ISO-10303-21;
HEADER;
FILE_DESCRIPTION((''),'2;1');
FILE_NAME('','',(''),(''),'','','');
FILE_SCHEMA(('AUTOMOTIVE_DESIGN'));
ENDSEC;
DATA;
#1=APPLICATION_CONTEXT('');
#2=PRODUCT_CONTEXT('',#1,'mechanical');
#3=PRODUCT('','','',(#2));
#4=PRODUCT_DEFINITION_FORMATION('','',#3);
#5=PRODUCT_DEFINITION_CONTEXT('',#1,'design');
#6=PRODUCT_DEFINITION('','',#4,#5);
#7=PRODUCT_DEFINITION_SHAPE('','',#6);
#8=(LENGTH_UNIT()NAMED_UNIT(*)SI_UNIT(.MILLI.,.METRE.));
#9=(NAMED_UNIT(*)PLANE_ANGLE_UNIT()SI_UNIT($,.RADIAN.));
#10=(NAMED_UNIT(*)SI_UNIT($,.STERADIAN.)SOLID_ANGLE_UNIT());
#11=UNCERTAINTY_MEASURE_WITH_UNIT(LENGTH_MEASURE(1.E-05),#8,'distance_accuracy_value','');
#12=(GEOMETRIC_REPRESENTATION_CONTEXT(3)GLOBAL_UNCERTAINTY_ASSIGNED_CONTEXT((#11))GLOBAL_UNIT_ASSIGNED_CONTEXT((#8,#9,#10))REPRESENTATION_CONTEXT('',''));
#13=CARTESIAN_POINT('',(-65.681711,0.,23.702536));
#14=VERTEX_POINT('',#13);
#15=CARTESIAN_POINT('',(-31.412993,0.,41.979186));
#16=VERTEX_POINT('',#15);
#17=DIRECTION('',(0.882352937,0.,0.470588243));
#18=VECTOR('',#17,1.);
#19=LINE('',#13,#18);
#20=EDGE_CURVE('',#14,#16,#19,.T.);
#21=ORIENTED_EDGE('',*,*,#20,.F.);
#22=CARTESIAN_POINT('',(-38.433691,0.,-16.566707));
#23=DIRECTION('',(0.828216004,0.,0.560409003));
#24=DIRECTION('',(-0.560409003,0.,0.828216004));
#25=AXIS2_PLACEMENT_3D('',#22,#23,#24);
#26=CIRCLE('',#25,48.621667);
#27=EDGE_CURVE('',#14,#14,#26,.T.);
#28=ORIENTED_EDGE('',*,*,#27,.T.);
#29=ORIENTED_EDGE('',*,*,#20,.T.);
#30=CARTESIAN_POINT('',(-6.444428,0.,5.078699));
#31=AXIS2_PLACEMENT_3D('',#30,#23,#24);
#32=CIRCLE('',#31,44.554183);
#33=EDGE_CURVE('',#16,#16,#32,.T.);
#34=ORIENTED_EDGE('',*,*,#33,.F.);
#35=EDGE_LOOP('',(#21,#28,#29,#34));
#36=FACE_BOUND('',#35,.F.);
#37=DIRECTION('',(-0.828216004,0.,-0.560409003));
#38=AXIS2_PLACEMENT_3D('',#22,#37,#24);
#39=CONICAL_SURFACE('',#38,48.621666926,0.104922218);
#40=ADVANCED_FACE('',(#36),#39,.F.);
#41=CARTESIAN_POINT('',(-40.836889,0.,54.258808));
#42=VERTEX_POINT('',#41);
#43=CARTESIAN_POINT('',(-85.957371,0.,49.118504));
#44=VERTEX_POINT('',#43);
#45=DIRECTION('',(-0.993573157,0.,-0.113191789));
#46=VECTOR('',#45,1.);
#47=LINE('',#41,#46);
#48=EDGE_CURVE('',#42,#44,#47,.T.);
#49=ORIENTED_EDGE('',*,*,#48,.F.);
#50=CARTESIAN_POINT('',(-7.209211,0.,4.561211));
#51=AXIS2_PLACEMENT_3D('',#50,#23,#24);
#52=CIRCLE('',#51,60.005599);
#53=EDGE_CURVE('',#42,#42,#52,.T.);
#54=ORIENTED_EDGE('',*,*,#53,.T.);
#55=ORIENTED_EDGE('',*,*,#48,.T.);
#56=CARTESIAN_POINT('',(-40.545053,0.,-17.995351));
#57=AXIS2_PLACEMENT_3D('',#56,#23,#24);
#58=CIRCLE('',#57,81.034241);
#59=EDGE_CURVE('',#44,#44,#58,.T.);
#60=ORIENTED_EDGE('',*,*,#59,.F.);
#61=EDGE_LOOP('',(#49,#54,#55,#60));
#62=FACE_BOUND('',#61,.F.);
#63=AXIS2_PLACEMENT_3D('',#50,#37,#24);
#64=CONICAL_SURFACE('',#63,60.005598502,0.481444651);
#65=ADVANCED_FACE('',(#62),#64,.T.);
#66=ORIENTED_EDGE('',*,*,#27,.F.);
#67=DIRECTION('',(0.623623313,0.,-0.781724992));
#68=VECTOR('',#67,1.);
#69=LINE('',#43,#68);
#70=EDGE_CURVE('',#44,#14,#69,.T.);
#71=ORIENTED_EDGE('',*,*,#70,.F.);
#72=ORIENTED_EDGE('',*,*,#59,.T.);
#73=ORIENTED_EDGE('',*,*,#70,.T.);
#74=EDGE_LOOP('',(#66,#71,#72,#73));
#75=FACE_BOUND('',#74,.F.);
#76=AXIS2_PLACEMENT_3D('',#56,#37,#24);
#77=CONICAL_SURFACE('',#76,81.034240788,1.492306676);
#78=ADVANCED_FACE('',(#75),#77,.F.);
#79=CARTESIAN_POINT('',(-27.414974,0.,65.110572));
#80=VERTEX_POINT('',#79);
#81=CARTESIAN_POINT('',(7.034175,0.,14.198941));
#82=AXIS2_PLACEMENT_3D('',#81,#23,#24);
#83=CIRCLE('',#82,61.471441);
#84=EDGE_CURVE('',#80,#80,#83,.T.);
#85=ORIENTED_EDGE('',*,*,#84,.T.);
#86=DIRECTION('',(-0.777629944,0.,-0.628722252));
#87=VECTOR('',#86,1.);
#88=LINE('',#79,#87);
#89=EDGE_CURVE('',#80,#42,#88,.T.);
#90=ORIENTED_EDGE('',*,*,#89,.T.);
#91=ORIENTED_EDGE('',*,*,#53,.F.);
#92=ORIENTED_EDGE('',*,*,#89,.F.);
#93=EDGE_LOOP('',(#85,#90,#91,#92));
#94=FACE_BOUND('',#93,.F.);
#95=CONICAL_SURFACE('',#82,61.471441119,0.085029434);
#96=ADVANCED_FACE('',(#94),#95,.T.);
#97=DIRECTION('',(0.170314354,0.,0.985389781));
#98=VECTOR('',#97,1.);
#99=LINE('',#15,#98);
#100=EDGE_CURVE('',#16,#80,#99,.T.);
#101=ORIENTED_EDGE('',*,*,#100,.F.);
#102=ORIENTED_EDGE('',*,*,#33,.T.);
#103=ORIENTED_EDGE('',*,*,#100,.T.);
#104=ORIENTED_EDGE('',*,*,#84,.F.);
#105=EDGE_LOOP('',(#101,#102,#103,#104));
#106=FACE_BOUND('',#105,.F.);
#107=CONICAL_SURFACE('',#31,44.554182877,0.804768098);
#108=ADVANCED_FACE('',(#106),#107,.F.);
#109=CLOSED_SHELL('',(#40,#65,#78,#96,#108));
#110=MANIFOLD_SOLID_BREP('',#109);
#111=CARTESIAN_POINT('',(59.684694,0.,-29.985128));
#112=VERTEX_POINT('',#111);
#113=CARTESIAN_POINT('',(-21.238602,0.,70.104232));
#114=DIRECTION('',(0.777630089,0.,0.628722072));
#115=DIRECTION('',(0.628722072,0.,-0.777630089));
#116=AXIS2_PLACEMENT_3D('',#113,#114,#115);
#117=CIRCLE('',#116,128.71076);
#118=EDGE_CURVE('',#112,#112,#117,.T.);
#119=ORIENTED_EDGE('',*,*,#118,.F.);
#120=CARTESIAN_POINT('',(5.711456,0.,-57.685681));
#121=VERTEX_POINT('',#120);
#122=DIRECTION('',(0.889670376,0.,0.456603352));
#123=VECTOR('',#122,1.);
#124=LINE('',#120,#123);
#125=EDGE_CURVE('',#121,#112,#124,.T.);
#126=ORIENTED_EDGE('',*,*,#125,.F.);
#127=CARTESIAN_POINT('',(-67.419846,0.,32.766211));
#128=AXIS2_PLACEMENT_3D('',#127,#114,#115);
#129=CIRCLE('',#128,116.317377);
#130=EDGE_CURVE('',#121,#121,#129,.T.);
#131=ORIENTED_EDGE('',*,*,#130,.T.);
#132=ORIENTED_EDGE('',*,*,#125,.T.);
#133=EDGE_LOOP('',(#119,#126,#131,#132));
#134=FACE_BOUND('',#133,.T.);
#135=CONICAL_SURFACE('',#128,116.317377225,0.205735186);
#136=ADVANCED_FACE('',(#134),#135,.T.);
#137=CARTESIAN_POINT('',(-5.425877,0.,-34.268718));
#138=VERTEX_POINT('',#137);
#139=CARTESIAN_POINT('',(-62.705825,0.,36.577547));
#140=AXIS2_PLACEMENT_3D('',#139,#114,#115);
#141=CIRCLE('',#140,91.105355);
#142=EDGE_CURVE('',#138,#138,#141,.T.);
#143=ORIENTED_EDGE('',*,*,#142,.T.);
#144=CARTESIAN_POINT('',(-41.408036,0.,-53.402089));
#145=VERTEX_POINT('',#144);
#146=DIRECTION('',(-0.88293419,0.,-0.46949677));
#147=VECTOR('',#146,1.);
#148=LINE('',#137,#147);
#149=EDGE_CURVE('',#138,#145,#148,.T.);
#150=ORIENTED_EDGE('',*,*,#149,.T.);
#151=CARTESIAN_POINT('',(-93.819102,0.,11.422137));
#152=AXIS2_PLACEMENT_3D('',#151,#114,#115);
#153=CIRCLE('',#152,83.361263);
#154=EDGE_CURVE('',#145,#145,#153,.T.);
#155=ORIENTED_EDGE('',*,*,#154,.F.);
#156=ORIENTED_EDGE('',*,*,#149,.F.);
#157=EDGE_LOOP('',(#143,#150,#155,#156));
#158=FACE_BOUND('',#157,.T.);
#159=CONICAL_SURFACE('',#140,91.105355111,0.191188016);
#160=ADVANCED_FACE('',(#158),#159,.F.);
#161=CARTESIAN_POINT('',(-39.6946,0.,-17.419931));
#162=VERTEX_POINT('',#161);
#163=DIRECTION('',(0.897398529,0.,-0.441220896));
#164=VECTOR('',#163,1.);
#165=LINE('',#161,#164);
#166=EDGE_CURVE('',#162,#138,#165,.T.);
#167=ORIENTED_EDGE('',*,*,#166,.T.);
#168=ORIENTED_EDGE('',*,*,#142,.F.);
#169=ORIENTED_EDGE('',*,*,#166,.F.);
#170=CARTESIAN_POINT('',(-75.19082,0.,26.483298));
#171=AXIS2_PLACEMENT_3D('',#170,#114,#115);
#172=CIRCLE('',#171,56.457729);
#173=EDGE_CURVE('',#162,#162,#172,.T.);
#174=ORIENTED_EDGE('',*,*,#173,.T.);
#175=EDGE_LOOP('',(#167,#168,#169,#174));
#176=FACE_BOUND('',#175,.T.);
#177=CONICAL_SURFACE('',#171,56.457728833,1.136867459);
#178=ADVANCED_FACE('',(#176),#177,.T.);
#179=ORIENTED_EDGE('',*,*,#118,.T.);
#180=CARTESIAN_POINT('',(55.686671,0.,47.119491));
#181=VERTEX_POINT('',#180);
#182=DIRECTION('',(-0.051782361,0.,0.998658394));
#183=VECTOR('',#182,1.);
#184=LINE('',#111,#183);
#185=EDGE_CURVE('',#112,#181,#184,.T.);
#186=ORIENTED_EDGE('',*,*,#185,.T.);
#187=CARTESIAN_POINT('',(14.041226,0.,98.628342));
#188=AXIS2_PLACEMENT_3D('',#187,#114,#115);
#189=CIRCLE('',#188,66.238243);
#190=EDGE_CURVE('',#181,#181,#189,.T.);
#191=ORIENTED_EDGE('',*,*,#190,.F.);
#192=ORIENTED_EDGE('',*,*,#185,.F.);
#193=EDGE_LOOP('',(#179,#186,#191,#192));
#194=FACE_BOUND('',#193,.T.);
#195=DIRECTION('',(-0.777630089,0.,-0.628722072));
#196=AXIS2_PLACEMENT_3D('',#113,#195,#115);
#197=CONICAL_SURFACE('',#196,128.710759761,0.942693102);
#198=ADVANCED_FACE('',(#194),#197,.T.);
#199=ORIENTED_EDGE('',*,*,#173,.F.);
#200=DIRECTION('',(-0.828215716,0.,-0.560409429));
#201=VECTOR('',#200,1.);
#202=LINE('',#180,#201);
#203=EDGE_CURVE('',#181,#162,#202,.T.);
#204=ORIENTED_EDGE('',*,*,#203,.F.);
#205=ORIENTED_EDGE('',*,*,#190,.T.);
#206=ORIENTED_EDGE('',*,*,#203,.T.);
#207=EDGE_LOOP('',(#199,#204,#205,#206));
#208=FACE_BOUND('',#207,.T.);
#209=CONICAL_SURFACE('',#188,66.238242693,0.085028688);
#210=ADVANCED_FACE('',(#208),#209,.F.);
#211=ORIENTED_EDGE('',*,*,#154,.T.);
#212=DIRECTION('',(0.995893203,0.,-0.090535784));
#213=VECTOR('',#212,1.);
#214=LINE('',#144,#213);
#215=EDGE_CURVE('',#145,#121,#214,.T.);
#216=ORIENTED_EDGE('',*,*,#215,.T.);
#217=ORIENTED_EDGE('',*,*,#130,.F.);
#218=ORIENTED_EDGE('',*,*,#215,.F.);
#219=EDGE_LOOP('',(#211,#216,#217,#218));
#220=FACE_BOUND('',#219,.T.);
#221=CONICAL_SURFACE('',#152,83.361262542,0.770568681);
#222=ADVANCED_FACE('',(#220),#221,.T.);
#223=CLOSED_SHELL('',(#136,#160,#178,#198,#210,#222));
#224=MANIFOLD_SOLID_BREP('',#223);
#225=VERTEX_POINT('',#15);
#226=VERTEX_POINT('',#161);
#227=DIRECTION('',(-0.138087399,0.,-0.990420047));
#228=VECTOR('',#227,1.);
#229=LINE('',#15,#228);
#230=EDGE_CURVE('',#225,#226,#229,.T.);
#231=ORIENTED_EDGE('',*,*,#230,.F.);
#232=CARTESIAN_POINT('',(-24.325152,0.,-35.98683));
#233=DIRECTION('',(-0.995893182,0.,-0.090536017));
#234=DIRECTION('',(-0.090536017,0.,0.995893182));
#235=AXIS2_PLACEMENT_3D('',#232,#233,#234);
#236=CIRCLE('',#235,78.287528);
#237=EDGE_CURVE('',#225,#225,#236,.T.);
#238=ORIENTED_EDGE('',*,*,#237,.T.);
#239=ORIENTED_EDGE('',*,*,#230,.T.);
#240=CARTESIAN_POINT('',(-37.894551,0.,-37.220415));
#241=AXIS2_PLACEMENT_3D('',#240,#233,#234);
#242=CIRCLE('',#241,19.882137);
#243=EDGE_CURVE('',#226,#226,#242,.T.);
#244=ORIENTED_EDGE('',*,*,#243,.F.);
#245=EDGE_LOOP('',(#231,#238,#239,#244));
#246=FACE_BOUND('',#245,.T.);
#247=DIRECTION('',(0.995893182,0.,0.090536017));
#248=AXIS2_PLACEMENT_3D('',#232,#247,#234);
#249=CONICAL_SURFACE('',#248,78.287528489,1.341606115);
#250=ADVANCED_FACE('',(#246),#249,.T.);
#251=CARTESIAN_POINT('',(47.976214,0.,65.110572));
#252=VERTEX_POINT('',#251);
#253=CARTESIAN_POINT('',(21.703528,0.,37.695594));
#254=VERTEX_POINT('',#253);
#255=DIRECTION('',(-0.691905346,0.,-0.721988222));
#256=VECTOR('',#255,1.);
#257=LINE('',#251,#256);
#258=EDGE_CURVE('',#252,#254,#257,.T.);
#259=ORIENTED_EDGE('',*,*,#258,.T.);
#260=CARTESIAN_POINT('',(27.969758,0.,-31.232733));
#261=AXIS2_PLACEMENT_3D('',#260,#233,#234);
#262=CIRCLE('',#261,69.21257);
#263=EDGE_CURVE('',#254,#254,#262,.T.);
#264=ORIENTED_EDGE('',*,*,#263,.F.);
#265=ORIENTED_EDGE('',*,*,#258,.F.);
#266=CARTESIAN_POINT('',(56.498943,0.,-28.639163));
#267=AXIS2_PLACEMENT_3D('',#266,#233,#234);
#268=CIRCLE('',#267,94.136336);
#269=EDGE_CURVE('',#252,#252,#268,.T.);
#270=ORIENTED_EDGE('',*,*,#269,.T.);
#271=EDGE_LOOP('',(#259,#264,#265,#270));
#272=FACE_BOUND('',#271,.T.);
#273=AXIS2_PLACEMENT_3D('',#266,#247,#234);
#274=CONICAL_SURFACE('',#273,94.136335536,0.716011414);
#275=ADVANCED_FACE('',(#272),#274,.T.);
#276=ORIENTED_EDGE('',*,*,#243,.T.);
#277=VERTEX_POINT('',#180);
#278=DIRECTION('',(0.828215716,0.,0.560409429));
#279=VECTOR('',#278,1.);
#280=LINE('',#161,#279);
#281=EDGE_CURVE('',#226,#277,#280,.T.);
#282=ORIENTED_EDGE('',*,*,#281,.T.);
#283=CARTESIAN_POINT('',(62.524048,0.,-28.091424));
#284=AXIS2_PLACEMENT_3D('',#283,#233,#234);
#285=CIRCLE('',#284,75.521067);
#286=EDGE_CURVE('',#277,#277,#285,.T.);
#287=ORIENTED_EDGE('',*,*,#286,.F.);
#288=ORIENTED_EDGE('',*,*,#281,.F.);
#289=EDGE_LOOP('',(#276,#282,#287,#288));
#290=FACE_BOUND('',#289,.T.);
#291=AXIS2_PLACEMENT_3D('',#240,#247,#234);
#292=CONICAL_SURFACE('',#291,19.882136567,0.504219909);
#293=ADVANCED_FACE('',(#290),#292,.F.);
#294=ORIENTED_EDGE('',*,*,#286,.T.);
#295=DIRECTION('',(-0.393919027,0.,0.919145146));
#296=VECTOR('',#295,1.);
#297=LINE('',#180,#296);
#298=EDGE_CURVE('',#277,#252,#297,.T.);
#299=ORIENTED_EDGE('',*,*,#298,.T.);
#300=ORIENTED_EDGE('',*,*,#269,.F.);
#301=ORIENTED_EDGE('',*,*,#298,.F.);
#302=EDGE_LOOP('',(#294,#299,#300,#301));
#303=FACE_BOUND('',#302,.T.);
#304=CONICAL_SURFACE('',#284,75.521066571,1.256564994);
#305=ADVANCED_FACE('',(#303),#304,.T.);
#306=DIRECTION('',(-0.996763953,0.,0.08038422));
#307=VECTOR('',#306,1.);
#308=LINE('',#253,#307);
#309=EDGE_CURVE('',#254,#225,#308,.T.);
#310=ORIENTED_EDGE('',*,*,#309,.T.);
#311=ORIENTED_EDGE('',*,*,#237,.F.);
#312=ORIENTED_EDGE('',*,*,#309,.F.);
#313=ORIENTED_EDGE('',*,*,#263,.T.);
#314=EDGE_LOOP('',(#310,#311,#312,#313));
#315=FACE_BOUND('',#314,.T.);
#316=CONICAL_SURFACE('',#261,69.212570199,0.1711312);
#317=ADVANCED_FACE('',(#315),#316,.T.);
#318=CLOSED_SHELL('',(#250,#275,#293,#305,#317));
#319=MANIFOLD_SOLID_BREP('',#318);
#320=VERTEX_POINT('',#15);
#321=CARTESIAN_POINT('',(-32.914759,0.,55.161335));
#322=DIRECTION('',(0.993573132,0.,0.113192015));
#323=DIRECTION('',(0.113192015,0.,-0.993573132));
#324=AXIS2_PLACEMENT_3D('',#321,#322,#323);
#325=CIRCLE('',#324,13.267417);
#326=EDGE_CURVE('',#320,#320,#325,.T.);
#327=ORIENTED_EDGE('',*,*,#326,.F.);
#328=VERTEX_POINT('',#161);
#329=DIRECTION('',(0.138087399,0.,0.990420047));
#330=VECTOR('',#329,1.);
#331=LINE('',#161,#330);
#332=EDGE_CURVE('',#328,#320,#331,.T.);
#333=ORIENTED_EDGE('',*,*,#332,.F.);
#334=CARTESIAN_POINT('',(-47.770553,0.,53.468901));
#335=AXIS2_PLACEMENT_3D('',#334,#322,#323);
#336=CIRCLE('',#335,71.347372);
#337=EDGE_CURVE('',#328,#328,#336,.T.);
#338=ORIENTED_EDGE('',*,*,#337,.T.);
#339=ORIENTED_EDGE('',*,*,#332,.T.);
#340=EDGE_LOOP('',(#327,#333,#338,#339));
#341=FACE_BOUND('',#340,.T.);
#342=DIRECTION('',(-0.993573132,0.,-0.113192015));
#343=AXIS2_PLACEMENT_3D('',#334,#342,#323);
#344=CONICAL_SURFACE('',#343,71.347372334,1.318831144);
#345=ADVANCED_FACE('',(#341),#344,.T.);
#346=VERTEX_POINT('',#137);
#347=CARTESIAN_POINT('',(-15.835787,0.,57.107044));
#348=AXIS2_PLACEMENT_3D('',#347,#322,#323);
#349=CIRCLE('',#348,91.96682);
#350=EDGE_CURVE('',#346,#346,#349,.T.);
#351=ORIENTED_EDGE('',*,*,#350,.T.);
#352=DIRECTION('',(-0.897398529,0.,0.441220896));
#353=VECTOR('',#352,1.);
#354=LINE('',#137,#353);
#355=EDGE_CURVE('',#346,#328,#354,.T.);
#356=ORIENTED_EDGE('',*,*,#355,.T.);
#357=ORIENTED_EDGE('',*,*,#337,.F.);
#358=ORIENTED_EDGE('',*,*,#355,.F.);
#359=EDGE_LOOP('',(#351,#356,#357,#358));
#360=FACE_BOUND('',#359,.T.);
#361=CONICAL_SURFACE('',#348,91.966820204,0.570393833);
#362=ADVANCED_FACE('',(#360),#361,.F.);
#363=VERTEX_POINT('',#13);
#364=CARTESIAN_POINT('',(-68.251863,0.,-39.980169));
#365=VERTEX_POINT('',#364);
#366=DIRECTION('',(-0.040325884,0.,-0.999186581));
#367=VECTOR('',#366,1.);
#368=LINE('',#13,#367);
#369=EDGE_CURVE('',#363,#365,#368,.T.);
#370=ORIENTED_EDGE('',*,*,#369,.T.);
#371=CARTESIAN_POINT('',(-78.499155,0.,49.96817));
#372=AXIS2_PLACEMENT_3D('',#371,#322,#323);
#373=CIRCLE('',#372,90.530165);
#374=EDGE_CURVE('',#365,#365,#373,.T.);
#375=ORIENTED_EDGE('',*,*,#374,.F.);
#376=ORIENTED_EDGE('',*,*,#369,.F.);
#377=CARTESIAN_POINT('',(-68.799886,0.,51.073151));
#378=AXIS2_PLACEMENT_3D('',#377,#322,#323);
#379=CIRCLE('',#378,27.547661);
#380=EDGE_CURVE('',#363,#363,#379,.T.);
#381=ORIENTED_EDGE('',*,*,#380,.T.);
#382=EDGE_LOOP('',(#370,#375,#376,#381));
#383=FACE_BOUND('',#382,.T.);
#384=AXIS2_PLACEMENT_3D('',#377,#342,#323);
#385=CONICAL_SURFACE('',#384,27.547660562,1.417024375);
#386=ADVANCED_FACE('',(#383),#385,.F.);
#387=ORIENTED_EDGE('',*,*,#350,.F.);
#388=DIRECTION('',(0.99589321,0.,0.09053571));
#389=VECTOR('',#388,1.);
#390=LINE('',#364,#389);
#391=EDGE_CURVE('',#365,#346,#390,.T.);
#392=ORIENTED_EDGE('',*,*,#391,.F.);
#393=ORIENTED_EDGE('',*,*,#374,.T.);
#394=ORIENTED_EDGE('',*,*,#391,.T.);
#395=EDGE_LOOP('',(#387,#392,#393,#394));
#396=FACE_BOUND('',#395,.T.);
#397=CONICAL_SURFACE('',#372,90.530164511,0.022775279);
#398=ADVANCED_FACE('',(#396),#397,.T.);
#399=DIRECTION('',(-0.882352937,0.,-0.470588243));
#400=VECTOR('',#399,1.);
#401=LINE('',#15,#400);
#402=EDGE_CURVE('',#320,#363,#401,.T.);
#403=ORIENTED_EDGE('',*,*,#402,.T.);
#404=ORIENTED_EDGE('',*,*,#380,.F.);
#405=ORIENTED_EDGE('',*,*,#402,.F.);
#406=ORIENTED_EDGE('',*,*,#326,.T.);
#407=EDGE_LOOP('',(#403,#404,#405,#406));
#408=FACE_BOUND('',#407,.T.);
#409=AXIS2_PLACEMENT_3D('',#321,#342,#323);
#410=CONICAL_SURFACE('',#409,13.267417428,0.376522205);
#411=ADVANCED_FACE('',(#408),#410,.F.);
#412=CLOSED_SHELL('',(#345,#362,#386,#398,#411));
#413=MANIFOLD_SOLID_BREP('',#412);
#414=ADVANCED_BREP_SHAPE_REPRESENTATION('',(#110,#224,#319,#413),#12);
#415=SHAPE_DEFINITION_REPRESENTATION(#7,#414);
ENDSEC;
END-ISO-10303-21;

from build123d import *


with BuildPart() as f1:
    # F0 (on Front) → F1 (revolve)
    with BuildSketch(Plane.XZ):
        Polygon((-65.681711, 23.702536), (-31.412993, 41.979186), (-27.414974, 65.110572), (-40.836889, 54.258808), (-85.957371, 49.118504), align=None)
    revolve(axis=Axis((7.996036, 0, 14.84978), (0.828216, 0, 0.560409)))


with BuildPart() as f2:
    # F0 (on Front) → F2 (revolve)
    with BuildSketch(Plane.XZ):
        Polygon((-39.6946, -17.419931), (-31.412993, 41.979186), (-65.681711, 23.702536), (-68.251863, -39.980169), (-5.425877, -34.268718), align=None)
    revolve(axis=Axis((-63.39713, 0, 51.688656), (0.993573, 0, 0.113192)))


with BuildPart() as f3:
    # F0 (on Front) → F3 (revolve)
    with BuildSketch(Plane.XZ):
        Polygon((55.686671, 47.119491), (-39.6946, -17.419931), (-5.425877, -34.268718), (-41.408036, -53.402089), (5.711456, -57.685681), (59.684694, -29.985128), align=None)
    revolve(axis=Axis((-34.125932, 0, 59.68469), (0.77763, 0, 0.628722)))


with BuildPart() as f4:
    # F0 (on Front) → F4 (revolve)
    with BuildSketch(Plane.XZ):
        Polygon((21.703528, 37.695594), (-31.412993, 41.979186), (-39.6946, -17.419931), (55.686671, 47.119491), (47.976214, 65.110572), align=None)
    revolve(axis=Axis((-36.83887, 0, -37.124444), (-0.995893, 0, -0.090536)))


solid = Compound([f1.part, f2.part, f3.part, f4.part])
